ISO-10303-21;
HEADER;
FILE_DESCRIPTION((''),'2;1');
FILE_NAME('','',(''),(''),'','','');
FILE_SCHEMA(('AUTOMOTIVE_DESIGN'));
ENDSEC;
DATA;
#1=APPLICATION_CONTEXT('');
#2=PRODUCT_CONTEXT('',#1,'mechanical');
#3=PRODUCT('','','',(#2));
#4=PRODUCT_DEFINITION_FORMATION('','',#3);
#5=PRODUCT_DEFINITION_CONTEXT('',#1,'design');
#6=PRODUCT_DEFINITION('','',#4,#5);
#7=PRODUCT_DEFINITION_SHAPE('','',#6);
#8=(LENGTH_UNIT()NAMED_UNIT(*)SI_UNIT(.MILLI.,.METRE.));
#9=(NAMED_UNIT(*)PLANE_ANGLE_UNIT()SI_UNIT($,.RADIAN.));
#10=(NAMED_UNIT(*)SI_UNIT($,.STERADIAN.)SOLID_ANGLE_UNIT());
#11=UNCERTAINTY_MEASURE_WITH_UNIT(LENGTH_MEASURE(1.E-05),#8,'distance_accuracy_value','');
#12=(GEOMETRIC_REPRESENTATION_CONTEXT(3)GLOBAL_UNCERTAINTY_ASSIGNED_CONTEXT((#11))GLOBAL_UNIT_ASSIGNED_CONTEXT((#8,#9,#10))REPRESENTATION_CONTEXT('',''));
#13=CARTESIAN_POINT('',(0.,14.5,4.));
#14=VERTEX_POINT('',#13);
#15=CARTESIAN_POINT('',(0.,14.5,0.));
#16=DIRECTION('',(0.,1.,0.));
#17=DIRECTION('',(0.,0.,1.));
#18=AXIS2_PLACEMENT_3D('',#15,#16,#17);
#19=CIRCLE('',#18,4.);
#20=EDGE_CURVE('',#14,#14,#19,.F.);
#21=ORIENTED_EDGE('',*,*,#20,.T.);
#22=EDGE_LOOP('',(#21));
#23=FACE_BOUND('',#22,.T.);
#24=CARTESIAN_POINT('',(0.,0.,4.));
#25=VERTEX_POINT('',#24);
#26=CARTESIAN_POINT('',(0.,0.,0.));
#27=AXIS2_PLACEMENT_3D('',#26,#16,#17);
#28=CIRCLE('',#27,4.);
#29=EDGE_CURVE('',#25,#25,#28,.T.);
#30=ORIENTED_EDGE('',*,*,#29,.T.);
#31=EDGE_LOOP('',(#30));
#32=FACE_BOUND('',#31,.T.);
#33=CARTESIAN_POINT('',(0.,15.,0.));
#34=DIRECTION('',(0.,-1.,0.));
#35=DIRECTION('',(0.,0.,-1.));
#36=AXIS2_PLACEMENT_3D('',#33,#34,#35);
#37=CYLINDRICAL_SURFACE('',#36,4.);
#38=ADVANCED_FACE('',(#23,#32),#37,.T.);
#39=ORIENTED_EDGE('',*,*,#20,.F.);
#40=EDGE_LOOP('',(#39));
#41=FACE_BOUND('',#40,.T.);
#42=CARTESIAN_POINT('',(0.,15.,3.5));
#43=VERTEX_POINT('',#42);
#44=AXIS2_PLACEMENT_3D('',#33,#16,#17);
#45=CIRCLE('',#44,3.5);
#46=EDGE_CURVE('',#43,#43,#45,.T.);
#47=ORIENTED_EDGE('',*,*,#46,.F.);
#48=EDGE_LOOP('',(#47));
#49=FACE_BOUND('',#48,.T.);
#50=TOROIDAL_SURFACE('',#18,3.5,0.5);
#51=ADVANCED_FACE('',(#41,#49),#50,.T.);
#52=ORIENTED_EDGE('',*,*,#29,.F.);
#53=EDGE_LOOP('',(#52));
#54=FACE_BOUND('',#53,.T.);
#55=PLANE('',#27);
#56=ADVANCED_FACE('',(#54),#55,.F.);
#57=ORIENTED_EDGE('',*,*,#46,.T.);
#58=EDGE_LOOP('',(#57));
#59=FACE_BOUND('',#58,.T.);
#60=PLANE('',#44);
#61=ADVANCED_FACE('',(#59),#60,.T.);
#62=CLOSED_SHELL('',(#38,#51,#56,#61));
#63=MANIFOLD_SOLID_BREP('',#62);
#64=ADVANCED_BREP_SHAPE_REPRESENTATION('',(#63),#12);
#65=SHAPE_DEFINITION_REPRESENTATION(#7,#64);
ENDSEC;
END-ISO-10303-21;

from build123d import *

# Parameters (mm, degrees)
SKETCH1_R           = 4
BOSS_EXTRUDE1_DEPTH = 15
FILLET1_R           = 0.5


with BuildPart() as part:
    # Sketch1 → Boss-Extrude1 (new body)
    with BuildSketch(Plane(origin=(0, 0, 0), x_dir=(1, 0, 0), z_dir=(0, 1, 0))):
        Circle(SKETCH1_R)
    extrude(amount=BOSS_EXTRUDE1_DEPTH)

    # Fillet1
    fillet1_edges = [part.edges().sort_by_distance(p)[0] for p in [
        (-4, 15, 0),
    ]]
    fillet(fillet1_edges, radius=FILLET1_R)


solid = part.part
